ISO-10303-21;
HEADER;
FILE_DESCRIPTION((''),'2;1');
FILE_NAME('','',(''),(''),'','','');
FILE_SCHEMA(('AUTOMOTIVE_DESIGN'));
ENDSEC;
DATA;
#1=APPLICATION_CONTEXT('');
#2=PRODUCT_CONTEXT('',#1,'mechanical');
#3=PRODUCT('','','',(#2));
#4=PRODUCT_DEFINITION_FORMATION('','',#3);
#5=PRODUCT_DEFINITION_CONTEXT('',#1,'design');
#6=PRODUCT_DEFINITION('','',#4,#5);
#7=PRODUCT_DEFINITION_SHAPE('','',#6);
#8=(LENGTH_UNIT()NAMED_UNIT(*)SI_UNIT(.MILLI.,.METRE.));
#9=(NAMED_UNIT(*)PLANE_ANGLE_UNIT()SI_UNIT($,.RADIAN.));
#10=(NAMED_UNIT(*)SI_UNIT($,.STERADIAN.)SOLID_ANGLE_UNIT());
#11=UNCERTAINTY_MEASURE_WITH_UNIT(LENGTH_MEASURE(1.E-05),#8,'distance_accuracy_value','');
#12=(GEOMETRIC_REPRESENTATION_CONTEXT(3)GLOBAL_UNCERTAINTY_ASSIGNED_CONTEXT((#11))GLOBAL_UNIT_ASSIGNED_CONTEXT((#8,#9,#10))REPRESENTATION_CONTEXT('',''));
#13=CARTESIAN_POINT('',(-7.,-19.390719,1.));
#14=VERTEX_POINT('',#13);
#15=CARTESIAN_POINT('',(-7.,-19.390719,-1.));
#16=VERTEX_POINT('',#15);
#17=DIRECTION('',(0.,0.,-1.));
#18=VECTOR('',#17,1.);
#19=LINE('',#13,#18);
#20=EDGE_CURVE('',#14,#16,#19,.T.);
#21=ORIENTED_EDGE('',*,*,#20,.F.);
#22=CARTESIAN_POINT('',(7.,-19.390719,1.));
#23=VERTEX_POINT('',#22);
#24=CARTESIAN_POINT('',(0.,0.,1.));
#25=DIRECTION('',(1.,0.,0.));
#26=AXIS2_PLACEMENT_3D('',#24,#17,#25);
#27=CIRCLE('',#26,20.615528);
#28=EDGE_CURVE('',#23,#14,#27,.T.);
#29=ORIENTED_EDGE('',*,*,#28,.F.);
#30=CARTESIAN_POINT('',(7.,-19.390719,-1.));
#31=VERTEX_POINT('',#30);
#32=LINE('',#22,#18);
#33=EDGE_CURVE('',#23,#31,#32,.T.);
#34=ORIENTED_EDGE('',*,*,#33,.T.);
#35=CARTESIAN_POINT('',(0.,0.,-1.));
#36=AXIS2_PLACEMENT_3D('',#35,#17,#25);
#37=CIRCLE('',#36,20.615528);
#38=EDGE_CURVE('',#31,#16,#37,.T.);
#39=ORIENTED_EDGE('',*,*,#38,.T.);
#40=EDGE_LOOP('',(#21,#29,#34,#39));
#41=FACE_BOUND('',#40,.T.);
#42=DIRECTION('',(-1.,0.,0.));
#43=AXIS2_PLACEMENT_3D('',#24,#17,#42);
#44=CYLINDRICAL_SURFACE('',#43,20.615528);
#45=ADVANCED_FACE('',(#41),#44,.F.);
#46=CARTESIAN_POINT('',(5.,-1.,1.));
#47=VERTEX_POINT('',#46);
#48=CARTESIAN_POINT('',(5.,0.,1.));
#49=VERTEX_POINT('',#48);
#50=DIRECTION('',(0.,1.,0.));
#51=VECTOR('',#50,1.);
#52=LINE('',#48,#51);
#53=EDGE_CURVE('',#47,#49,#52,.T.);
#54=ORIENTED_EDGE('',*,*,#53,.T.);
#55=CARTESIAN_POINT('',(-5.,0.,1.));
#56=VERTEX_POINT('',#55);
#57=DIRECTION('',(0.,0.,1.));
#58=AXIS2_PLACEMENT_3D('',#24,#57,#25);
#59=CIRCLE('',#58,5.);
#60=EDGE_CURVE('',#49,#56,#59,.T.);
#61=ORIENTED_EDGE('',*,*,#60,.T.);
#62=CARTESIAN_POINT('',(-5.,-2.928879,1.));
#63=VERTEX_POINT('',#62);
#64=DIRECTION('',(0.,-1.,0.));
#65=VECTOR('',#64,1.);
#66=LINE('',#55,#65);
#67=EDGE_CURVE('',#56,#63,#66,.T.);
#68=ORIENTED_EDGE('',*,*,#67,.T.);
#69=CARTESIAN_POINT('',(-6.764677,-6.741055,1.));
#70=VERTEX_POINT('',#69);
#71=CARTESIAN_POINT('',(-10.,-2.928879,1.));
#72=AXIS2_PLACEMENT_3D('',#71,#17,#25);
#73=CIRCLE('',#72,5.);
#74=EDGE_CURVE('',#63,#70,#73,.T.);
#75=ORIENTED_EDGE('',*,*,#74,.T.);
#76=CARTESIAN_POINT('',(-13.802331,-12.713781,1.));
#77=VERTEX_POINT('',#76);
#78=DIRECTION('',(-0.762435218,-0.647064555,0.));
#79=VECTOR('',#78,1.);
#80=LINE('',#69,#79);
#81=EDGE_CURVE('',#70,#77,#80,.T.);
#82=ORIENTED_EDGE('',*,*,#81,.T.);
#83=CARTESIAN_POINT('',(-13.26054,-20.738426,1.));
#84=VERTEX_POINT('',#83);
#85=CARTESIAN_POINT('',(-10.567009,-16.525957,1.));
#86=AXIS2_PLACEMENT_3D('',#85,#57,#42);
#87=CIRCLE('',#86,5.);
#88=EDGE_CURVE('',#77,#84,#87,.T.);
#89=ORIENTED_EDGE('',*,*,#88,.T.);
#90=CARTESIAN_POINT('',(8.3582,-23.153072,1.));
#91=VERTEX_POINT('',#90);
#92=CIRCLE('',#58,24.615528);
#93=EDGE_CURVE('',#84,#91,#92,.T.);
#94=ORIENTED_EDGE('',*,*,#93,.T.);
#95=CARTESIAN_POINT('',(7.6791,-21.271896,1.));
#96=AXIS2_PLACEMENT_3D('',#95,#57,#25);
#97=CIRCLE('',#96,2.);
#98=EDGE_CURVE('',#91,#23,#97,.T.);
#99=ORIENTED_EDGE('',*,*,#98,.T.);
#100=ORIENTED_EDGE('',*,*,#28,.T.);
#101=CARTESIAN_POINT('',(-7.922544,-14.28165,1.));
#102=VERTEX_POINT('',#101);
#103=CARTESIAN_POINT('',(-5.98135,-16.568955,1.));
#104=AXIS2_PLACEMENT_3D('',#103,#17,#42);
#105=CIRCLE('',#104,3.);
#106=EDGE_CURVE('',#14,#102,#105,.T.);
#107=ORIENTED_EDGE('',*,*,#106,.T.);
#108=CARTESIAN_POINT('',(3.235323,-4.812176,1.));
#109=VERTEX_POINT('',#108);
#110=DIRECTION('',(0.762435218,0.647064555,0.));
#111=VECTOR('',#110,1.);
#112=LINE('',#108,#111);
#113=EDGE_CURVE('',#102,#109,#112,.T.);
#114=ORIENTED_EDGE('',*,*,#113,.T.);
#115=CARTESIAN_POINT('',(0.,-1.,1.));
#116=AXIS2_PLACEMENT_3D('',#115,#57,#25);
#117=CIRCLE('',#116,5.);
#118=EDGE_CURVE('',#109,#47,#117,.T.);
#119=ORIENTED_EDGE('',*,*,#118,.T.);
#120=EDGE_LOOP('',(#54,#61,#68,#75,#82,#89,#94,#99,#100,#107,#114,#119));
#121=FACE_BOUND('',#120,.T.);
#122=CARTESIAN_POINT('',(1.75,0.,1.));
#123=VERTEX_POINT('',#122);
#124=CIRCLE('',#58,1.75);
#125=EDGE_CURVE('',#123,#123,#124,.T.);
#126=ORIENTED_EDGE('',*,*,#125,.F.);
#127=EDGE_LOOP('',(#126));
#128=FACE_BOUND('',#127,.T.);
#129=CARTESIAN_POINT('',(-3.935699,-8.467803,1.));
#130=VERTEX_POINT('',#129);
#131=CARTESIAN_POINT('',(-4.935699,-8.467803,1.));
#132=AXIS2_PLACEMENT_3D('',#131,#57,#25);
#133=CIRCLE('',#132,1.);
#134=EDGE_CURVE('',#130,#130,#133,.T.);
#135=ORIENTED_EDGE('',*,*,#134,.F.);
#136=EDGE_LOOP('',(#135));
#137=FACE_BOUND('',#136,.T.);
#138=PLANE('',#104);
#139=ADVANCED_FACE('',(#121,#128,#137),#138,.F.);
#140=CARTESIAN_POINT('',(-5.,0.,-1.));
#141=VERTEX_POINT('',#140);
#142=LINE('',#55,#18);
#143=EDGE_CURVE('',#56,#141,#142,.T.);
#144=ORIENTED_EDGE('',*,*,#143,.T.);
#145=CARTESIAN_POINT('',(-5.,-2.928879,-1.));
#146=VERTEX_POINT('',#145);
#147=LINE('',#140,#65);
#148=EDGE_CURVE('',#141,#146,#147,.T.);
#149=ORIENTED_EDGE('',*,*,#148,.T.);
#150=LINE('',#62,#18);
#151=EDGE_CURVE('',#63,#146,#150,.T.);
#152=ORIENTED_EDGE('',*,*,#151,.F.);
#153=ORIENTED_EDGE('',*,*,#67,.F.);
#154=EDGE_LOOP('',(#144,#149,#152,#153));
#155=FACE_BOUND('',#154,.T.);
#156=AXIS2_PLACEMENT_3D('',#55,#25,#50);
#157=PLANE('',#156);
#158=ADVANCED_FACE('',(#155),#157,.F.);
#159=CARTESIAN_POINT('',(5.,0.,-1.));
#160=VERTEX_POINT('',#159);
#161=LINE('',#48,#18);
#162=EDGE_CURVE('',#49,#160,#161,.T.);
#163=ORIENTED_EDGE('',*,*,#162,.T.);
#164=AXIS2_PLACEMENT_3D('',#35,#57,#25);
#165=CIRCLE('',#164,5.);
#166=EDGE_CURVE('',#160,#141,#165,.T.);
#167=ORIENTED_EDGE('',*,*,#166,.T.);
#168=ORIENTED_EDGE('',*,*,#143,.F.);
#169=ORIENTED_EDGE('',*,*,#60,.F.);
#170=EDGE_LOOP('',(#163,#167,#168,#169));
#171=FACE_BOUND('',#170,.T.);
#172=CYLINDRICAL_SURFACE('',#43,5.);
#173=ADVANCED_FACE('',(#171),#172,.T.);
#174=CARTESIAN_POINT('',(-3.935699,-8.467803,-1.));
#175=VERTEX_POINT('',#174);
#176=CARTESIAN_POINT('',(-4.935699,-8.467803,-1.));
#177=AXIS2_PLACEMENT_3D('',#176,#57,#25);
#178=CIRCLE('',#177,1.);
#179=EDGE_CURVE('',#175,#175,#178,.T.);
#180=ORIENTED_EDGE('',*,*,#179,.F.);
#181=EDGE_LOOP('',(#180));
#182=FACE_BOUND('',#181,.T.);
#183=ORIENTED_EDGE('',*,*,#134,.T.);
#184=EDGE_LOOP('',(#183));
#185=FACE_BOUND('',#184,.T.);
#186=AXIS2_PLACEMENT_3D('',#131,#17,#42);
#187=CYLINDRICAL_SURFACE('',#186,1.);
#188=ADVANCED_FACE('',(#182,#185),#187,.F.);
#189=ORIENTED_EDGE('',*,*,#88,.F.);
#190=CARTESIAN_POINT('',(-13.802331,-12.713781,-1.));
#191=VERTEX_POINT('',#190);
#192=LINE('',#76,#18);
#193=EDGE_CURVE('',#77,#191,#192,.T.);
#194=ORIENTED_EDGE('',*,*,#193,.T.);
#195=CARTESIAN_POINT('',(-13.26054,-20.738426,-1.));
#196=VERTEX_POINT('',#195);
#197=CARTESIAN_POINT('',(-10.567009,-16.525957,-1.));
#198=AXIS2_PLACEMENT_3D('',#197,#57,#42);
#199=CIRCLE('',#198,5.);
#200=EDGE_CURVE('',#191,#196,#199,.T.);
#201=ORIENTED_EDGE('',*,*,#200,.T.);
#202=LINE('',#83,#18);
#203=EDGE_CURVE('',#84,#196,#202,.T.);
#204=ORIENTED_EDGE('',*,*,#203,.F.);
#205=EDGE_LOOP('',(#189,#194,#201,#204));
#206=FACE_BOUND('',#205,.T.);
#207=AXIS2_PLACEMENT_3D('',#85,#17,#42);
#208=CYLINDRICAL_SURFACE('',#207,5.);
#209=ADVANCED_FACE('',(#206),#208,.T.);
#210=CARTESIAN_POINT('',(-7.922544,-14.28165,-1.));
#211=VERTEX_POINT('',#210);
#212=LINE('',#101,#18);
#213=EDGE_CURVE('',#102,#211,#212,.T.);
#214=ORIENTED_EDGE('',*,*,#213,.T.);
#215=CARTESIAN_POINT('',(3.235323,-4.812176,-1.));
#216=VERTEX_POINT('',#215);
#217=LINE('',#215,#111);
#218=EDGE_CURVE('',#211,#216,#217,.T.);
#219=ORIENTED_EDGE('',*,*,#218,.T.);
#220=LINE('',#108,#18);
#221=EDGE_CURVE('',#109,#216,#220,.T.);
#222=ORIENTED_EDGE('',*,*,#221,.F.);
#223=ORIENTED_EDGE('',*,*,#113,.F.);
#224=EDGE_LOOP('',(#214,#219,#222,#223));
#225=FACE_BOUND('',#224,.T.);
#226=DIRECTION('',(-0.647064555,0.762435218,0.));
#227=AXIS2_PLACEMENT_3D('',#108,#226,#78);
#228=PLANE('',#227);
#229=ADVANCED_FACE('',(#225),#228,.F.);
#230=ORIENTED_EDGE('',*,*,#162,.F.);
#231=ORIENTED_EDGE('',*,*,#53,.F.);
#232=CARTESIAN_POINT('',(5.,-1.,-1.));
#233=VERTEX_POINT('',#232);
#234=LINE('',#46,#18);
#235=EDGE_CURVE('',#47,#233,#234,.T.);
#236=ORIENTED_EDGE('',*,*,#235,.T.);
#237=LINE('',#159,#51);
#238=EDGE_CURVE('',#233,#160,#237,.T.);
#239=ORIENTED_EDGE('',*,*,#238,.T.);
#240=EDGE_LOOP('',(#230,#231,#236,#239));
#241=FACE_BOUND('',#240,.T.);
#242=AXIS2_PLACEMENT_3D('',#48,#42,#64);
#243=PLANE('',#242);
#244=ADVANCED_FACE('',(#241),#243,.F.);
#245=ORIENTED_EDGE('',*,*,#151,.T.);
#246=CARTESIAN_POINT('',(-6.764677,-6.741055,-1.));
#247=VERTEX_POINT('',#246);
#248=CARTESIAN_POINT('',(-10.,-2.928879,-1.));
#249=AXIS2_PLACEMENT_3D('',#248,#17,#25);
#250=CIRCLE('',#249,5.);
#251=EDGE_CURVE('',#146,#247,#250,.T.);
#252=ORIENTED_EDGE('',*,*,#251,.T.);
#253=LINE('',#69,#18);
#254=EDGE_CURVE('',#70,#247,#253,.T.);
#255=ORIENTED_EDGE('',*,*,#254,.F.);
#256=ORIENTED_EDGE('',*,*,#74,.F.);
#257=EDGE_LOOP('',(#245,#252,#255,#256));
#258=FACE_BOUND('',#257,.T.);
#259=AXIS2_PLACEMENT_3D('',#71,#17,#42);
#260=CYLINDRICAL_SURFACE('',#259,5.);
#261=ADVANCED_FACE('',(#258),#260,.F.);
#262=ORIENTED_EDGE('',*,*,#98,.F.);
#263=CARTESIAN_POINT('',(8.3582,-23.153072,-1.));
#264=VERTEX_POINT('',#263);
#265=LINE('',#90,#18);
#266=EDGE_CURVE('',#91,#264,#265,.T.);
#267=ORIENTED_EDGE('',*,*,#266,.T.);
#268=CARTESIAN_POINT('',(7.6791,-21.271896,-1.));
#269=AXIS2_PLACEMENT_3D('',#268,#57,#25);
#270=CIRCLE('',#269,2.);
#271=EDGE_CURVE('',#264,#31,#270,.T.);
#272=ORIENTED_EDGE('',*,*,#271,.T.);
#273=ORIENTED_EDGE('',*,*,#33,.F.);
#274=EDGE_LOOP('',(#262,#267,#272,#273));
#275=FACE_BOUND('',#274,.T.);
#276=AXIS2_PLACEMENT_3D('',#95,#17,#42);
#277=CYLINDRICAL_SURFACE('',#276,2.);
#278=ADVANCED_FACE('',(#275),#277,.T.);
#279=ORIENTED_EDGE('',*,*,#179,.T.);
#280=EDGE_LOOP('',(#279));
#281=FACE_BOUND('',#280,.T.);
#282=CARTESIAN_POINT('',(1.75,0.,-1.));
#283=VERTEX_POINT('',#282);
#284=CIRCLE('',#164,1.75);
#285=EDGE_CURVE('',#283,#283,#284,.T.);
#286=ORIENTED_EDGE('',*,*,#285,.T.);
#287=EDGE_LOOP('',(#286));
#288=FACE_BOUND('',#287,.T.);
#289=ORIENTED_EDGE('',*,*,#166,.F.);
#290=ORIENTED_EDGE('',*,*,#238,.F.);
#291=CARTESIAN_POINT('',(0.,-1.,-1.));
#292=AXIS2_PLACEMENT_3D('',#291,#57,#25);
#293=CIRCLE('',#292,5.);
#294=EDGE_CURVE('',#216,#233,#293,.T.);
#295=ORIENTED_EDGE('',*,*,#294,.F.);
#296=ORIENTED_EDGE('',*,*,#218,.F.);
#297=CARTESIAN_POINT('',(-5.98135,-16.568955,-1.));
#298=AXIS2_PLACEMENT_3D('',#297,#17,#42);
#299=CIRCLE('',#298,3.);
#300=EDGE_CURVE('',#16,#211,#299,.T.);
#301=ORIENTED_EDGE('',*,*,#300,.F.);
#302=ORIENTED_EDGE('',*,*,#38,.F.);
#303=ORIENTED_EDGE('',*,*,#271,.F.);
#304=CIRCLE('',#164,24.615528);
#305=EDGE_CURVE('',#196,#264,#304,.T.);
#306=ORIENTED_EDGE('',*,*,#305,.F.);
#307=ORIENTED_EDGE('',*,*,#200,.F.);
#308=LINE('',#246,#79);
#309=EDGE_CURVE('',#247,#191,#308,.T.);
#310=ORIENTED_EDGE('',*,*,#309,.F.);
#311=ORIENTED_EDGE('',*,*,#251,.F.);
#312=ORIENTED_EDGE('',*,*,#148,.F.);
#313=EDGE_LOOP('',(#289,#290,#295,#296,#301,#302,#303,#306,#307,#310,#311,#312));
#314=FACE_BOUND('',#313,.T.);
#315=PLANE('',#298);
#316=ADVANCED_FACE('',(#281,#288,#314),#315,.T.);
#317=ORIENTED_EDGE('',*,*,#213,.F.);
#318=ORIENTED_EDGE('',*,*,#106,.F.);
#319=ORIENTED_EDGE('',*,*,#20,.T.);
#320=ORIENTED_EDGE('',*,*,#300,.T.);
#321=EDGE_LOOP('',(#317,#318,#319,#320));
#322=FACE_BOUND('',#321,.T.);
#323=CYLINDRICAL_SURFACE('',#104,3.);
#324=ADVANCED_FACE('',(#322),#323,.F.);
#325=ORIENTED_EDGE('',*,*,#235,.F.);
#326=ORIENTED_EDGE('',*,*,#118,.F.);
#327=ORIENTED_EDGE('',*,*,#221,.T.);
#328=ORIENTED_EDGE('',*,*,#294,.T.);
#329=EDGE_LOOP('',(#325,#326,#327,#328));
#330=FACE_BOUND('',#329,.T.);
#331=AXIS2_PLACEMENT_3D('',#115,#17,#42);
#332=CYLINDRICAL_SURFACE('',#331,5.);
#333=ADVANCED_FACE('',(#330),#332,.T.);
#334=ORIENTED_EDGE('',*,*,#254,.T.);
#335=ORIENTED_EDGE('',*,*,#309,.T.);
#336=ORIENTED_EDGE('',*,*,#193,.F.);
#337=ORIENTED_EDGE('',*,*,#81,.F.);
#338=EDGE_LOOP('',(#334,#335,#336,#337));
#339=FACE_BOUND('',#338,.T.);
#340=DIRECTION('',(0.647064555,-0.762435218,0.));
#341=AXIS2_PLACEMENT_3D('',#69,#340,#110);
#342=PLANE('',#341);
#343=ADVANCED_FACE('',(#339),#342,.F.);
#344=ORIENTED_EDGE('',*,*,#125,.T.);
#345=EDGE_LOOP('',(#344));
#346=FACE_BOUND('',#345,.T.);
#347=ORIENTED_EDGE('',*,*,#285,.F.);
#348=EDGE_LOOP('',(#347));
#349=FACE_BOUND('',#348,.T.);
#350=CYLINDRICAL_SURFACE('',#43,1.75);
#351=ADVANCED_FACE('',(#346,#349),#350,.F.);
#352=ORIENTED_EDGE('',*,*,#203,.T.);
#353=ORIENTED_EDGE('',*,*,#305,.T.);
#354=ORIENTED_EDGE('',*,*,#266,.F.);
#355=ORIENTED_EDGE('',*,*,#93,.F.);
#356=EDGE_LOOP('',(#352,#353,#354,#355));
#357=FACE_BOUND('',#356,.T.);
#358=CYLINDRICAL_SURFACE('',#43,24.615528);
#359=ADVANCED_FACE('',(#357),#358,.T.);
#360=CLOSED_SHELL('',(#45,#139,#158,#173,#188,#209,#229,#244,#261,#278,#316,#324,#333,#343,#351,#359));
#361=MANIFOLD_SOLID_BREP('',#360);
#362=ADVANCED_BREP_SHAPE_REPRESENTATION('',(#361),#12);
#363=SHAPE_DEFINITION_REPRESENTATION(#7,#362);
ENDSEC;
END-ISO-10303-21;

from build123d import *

# Parameters (mm, degrees)
SKETCH1_R           = 1.75
SKETCH1_R_2         = 1
BOSS_EXTRUDE1_DEPTH = 1


with BuildPart() as part:
    # Sketch1 → Boss-Extrude1 (new, symmetric)
    with BuildSketch(Plane.XY):
        with BuildLine():
            Line((-5, 0), (-5, -2.928879346))
            ThreePointArc((-5, -2.928879346), (-5.462566041, -5.029282419), (-6.764677227, -6.741055438))
            Line((-6.764677227, -6.741055438), (-13.802331482, -12.713781389))
            ThreePointArc((-13.802331482, -12.713781389), (-15.555651524, -16.862770292), (-13.260540242, -20.738425628))
            ThreePointArc((-13.260540242, -20.738425628), (-2.732373515, -24.463408593), (8.3581995, -23.153071635))
            ThreePointArc((8.3581995, -23.153071635), (9.560275853, -20.592795782), (7, -19.39071943))
            ThreePointArc((7, -19.39071943), (0, -20.615528128), (-7, -19.39071943))
            ThreePointArc((-7, -19.39071943), (-8.933606572, -17.102043774), (-7.922544038, -14.28164962))
            Line((-7.922544038, -14.28164962), (3.235322773, -4.812176092))
            ThreePointArc((3.235322773, -4.812176092), (4.537433959, -3.100403073), (5, -1))
            Line((5, -1), (5, 0))
            ThreePointArc((5, 0), (0, 5), (-5, 0))
        make_face()
        Circle(SKETCH1_R, mode=Mode.SUBTRACT)
        with Locations((-4.935698975, -8.467802799)):
            Circle(SKETCH1_R_2, mode=Mode.SUBTRACT)
    extrude(amount=BOSS_EXTRUDE1_DEPTH, both=True)


solid = part.part
